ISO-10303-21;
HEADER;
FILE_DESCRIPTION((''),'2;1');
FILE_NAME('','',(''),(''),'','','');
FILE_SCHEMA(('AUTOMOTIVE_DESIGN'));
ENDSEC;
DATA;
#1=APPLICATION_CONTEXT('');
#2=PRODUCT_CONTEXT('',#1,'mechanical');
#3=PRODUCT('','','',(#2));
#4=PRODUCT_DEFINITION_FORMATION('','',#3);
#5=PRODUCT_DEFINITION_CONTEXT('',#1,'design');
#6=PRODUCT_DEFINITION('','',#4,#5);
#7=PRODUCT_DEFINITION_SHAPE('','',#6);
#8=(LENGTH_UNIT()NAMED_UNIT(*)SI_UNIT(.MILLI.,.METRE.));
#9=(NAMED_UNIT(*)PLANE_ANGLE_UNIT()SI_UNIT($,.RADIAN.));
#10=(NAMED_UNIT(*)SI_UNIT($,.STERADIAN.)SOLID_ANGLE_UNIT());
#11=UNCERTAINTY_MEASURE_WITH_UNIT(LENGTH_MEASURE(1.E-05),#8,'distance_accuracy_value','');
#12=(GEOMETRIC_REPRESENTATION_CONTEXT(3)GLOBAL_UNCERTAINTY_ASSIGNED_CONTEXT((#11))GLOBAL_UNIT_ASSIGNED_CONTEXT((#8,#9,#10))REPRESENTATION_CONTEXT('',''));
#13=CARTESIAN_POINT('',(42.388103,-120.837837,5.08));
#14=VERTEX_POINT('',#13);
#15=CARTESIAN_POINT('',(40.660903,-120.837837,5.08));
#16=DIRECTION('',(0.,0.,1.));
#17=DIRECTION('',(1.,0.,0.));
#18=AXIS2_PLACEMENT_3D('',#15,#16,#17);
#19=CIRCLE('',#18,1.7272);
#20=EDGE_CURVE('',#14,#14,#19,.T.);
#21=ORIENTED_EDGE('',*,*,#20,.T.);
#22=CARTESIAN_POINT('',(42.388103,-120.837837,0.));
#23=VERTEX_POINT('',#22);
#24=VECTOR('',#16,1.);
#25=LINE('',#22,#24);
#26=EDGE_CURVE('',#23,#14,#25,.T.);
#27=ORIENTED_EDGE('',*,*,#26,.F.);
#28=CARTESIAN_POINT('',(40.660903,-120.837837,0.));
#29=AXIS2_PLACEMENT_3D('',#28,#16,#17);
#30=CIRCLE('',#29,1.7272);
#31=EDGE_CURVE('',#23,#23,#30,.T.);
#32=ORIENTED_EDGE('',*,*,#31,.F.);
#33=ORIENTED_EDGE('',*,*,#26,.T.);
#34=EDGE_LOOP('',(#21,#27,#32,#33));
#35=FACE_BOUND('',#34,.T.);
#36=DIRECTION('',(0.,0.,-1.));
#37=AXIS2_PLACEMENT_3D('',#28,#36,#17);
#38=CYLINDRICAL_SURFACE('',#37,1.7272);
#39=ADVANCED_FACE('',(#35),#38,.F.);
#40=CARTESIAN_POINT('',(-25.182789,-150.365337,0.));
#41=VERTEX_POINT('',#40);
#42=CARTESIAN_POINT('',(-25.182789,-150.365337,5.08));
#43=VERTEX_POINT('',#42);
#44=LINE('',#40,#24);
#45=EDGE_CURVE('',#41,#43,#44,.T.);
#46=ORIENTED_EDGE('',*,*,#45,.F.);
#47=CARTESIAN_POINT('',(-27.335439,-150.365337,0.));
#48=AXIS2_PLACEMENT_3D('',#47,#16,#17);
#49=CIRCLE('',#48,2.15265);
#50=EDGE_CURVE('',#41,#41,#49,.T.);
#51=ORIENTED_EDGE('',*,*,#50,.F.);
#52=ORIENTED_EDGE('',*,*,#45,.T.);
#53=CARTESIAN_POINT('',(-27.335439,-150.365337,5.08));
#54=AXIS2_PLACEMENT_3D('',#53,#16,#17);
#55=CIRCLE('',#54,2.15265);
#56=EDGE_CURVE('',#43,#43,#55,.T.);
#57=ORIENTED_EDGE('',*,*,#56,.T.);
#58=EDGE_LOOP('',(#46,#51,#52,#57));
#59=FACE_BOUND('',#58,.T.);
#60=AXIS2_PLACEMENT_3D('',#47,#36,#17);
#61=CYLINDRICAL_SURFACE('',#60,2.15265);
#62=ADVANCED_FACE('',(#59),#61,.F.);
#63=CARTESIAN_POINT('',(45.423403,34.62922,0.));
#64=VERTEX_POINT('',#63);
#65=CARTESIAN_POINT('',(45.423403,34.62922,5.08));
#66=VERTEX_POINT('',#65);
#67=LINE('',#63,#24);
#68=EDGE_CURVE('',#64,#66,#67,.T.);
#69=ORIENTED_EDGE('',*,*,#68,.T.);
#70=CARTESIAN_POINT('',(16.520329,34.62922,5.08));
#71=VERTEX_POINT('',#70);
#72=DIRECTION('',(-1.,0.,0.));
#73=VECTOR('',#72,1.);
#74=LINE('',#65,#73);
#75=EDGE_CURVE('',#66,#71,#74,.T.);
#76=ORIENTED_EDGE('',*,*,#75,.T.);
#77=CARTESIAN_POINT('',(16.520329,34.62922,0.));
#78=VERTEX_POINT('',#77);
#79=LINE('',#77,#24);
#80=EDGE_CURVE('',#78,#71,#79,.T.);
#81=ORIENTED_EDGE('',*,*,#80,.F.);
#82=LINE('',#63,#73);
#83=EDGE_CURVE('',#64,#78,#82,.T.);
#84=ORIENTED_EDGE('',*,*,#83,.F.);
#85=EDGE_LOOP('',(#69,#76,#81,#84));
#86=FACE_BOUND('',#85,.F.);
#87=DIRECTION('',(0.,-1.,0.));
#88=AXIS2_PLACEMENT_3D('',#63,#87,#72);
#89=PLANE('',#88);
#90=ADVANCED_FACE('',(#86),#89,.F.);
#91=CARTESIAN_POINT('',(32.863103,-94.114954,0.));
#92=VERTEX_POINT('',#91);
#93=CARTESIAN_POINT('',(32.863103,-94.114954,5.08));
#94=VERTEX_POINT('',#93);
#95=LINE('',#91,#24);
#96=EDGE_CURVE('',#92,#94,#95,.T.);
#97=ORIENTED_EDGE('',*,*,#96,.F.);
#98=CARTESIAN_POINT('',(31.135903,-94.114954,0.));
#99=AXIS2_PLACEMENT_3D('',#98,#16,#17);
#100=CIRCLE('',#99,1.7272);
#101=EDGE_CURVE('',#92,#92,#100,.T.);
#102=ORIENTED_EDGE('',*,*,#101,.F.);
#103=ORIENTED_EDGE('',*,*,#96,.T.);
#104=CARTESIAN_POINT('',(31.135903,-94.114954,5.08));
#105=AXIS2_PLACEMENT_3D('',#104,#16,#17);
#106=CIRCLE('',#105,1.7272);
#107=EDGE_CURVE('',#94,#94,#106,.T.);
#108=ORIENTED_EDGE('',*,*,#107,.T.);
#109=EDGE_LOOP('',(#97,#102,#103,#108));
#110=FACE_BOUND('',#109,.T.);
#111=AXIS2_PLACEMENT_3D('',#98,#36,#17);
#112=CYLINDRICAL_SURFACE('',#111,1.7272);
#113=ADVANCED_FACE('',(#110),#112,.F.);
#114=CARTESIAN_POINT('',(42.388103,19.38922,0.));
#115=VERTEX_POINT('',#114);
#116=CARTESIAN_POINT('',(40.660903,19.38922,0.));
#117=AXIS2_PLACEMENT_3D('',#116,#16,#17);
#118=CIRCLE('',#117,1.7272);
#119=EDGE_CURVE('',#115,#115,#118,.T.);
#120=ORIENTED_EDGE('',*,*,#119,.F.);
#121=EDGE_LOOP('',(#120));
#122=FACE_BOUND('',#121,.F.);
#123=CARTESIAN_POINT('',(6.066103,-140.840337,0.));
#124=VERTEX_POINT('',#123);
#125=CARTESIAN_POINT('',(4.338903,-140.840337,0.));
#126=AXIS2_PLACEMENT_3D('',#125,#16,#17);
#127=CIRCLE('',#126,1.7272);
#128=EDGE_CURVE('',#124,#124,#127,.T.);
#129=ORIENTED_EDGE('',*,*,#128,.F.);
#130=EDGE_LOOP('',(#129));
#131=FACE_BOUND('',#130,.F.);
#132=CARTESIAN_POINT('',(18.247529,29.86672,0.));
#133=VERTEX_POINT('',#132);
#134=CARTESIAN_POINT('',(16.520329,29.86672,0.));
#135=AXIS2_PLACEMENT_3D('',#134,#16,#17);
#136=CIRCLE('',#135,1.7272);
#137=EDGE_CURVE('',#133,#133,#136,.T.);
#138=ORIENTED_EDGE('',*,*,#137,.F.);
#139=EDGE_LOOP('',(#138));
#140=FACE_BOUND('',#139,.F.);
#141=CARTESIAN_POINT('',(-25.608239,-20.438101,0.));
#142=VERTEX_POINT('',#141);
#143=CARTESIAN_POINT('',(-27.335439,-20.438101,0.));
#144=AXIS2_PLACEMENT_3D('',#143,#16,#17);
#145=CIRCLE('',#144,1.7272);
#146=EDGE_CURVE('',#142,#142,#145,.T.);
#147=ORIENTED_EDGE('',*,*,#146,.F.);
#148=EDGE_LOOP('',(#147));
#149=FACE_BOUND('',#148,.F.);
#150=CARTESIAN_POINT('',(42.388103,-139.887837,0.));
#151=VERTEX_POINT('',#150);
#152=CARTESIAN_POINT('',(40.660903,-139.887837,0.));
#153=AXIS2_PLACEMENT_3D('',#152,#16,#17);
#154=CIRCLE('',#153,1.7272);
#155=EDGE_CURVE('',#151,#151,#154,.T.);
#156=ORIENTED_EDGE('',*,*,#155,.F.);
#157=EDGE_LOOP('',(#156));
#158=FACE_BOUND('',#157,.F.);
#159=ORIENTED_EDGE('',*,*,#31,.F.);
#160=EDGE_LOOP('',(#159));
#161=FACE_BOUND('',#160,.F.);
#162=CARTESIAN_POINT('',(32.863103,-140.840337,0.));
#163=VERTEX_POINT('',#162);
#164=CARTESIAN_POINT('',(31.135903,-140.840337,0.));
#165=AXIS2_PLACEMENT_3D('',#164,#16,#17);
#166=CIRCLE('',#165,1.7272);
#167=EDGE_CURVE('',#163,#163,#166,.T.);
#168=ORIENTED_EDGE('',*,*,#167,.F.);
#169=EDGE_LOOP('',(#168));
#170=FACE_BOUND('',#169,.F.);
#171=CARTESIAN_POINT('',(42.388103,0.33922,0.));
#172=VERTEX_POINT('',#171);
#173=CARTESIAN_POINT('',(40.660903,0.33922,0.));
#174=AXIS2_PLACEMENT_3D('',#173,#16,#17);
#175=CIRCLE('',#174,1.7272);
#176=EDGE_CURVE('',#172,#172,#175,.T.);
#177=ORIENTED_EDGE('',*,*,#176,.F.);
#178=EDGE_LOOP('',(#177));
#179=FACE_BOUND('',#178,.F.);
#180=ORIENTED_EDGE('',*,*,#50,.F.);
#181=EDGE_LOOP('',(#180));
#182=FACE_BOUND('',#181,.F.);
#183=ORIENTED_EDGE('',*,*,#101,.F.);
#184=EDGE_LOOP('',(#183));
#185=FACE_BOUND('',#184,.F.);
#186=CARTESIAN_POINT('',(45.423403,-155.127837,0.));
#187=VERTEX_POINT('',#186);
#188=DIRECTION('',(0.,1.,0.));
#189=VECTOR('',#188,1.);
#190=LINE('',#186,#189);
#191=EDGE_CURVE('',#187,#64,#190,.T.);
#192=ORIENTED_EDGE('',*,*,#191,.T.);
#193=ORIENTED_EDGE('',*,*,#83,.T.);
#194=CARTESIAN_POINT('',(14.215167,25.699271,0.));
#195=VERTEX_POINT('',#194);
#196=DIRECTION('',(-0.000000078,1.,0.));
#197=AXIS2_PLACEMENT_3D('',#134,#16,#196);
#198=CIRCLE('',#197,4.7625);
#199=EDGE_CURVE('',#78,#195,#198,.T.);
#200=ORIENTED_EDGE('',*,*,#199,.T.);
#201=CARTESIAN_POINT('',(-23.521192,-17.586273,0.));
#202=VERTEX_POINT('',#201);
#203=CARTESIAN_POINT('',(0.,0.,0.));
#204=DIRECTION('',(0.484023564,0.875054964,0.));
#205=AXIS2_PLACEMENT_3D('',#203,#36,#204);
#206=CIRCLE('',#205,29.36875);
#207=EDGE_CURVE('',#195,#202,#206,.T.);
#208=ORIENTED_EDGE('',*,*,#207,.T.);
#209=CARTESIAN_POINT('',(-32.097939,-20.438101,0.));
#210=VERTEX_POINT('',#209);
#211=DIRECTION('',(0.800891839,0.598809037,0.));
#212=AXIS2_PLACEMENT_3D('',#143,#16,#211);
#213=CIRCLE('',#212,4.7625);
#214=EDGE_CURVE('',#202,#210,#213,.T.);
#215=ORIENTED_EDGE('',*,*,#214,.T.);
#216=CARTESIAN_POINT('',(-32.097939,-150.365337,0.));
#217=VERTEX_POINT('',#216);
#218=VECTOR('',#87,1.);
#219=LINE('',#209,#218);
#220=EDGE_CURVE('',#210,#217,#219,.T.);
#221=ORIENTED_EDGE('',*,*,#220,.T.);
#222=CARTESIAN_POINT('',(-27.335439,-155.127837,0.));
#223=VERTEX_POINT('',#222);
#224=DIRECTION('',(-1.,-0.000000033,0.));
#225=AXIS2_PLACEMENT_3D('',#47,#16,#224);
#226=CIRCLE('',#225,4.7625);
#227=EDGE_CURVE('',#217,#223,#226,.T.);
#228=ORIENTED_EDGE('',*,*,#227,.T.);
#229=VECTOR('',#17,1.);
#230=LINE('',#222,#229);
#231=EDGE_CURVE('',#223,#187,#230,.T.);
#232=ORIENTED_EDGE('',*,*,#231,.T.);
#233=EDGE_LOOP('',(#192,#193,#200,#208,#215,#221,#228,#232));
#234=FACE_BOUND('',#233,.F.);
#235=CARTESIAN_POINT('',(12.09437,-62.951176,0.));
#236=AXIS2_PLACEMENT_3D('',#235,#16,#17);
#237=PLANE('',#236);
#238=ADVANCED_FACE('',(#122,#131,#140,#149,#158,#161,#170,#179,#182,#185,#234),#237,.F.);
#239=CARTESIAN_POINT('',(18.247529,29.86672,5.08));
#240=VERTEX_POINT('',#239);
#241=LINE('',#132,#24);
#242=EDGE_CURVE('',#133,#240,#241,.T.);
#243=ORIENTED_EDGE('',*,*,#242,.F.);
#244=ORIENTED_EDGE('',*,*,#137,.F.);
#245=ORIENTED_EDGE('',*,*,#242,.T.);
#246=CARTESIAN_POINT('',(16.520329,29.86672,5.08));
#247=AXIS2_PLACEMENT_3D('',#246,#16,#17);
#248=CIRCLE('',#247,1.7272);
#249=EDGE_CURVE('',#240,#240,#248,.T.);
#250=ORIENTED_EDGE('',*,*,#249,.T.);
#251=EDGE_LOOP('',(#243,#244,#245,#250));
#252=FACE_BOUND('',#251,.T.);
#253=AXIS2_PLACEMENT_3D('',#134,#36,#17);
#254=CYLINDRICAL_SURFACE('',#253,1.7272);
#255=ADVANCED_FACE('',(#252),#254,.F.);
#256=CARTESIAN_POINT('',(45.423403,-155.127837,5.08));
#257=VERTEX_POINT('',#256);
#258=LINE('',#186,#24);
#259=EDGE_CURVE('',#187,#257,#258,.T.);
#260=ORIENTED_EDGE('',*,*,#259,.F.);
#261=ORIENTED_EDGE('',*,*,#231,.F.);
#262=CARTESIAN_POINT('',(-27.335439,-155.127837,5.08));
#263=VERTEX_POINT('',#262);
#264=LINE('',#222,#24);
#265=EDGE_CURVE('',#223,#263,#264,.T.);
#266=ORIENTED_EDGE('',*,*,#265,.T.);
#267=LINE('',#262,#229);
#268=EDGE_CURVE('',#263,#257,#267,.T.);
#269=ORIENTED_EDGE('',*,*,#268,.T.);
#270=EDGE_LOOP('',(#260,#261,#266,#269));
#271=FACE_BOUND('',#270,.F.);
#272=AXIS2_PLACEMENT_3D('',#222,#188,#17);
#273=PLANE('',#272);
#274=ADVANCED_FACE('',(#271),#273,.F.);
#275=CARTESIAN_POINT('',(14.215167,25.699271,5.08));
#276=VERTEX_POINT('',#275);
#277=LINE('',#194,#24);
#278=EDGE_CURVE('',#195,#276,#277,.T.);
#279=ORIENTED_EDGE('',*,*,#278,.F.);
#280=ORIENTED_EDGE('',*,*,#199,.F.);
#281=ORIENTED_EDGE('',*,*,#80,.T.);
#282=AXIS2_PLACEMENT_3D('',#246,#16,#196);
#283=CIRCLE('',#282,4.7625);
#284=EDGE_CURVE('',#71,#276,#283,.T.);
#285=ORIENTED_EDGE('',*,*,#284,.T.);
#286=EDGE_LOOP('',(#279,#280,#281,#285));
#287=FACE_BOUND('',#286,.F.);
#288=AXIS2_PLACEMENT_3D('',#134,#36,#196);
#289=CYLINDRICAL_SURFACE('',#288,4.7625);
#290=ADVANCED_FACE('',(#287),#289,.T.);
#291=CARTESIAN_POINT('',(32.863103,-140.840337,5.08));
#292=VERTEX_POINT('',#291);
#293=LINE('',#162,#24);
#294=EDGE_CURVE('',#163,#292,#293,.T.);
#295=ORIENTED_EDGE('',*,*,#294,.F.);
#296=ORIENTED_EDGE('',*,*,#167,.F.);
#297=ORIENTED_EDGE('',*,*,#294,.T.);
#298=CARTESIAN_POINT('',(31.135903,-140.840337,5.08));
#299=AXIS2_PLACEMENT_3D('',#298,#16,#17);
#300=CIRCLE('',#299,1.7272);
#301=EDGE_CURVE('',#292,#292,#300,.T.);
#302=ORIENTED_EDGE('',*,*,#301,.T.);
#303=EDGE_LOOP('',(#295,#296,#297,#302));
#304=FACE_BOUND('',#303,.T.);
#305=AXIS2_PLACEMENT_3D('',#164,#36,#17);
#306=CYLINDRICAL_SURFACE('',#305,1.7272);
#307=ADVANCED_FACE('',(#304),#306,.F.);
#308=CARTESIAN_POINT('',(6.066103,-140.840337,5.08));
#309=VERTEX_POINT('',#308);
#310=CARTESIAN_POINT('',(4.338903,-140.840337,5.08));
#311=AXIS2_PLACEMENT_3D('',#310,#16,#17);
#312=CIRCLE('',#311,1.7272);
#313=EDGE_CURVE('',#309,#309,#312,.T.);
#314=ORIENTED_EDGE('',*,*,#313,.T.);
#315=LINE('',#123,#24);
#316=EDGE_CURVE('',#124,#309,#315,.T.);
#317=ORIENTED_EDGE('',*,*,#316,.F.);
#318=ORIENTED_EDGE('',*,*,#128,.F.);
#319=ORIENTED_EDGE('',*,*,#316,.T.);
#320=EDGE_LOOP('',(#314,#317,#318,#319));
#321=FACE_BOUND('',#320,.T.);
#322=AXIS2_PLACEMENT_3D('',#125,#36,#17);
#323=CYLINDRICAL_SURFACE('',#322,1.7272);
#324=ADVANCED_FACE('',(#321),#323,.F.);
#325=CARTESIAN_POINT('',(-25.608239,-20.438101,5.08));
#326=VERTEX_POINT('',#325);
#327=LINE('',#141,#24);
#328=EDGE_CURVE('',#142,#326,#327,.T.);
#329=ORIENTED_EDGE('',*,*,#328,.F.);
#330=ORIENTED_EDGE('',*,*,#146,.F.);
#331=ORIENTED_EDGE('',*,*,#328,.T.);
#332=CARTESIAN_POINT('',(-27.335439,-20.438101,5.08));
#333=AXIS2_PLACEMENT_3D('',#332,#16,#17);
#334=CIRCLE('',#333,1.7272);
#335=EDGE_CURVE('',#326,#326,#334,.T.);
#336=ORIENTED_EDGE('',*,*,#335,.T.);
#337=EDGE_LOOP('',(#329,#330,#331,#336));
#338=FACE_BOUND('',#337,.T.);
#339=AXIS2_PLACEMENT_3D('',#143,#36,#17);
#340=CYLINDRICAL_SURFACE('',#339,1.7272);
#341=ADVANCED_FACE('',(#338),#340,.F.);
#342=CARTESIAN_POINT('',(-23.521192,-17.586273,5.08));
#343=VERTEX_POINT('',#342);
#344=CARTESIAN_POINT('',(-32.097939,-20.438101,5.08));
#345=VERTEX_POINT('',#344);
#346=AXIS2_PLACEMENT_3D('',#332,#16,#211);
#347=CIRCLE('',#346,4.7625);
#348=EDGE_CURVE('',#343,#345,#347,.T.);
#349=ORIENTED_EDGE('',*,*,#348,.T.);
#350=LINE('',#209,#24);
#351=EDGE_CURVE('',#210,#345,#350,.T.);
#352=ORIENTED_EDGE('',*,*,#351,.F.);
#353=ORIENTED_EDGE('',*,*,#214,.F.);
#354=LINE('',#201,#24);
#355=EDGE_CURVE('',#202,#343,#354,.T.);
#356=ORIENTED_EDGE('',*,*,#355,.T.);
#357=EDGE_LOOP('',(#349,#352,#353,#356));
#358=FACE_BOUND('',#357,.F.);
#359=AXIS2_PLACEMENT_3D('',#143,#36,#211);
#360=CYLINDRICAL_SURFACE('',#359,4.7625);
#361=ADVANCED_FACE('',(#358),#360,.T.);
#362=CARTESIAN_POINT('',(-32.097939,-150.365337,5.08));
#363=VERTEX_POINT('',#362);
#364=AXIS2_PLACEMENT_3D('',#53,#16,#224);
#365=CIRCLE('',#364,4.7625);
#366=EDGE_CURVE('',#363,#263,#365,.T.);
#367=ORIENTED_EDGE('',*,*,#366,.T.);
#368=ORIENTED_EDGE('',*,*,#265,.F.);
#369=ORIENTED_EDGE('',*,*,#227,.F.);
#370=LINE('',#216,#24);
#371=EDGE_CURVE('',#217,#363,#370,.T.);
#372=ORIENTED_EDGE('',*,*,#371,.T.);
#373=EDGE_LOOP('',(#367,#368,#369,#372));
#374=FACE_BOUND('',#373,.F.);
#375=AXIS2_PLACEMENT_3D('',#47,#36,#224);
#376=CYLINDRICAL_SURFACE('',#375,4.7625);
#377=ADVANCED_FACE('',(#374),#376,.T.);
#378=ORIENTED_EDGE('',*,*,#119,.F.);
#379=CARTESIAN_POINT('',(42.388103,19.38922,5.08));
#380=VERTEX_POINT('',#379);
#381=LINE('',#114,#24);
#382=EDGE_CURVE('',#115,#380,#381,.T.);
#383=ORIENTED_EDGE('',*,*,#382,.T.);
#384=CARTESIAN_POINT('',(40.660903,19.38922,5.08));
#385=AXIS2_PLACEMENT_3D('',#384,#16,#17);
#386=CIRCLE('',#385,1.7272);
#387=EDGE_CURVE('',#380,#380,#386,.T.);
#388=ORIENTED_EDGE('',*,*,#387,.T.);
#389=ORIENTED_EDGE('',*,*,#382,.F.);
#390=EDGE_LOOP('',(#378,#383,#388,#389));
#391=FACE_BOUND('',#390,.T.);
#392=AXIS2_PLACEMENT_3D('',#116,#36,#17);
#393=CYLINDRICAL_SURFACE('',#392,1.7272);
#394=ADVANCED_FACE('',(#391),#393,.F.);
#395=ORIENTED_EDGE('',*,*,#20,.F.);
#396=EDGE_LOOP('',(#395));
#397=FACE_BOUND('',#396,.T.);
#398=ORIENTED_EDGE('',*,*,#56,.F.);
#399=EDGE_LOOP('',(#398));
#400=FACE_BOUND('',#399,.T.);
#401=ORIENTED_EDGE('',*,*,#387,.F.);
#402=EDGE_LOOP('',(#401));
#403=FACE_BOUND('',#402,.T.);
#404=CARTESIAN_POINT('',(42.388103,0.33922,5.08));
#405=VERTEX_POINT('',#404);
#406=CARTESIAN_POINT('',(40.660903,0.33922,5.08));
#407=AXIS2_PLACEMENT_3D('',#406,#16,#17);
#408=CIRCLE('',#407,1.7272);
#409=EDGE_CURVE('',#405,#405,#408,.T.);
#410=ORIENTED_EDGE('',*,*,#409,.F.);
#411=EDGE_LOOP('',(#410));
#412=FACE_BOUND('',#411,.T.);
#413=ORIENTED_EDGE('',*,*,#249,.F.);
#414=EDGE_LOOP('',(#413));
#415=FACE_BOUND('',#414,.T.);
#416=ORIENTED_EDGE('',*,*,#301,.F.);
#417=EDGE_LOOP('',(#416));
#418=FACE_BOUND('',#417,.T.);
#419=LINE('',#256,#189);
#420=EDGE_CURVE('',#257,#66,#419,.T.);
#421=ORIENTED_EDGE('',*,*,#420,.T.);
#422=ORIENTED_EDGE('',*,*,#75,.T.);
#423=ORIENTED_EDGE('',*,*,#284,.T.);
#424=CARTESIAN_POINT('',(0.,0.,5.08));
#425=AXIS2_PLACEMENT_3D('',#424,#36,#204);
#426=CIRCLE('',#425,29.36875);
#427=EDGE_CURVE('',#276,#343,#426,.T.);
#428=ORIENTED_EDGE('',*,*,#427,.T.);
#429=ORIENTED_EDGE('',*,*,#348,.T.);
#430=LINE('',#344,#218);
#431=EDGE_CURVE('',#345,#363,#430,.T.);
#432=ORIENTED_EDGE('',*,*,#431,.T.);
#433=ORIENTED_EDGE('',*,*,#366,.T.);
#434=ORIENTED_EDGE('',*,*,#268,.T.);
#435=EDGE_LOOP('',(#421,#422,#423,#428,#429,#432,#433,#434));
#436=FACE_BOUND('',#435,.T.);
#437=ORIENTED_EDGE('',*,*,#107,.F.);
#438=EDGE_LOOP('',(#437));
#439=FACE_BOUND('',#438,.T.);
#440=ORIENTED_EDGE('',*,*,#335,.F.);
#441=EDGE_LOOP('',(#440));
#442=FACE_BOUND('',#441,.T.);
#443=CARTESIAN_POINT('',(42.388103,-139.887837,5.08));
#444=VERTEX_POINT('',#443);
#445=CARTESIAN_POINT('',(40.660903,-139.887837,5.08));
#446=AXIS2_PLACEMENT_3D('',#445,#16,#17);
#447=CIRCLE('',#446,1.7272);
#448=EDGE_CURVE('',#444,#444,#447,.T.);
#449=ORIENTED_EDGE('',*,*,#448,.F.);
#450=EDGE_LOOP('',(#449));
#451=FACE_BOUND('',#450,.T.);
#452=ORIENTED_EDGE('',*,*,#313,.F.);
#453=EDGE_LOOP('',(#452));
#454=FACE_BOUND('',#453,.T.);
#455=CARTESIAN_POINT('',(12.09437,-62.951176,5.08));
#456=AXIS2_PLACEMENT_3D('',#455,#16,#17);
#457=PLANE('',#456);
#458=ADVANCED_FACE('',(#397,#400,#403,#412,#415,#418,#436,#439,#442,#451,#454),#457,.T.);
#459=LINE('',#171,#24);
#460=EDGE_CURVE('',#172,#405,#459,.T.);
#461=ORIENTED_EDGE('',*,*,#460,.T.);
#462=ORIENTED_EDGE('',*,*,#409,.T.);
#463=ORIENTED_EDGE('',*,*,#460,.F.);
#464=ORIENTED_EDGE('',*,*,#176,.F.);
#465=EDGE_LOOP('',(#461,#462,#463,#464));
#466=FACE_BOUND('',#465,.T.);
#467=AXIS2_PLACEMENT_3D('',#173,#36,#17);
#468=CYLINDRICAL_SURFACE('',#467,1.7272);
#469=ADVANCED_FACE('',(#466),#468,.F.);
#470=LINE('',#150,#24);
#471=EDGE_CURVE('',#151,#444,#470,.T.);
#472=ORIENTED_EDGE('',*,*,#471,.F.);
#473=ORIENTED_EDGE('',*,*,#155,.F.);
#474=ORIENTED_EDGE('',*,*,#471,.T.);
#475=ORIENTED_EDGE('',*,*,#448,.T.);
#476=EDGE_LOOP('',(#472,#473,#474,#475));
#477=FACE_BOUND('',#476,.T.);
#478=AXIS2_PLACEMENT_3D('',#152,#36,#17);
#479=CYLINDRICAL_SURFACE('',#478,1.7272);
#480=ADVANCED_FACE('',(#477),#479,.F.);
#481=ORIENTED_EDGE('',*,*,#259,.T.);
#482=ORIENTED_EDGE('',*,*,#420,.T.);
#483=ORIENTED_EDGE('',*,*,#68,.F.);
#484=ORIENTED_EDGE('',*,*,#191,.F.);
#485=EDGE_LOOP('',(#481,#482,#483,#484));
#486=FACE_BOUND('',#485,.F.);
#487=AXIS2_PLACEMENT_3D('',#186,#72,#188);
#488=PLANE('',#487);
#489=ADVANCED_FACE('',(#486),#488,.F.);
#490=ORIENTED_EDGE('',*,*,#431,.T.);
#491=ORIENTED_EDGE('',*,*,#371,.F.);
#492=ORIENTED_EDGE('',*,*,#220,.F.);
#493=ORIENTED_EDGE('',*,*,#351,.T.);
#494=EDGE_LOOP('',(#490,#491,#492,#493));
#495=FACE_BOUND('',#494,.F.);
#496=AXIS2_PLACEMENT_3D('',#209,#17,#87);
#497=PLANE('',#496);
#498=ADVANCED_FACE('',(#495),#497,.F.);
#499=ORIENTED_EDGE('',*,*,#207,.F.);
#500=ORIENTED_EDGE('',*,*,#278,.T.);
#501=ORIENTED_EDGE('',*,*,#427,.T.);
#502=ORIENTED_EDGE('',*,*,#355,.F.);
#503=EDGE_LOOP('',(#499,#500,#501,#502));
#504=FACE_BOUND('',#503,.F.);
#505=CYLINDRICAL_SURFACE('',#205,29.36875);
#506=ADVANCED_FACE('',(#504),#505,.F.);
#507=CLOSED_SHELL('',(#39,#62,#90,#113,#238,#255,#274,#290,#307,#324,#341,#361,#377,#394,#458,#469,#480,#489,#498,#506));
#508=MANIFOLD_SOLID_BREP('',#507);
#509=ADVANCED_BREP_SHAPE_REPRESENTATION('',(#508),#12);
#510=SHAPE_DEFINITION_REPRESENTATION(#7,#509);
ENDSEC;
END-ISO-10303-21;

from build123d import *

# Parameters (mm, degrees)
F0_R     = 2.15265
F0_R_2   = 1.7272
F1_DEPTH = 5.08


with BuildPart() as f1:
    # F0 (on Top) → F1 (new body)
    with BuildSketch(Plane.XY):
        with BuildLine():
            Line((-27.335439, -155.127837), (45.423403, -155.127837))
            Line((45.423403, -155.127837), (45.423403, 34.62922))
            Line((45.423403, 34.62922), (16.520329, 34.62922))
            ThreePointArc((16.520329, 34.62922), (11.908991, 31.057083), (14.215167, 25.699271))
            ThreePointArc((14.215167, 25.699271), (22.137301, -19.29931), (-23.521192, -17.586273))
            ThreePointArc((-23.521192, -17.586273), (-28.838113, -15.918878), (-32.097939, -20.438101))
            Line((-32.097939, -20.438101), (-32.097939, -150.365337))
            ThreePointArc((-32.097939, -150.365337), (-30.703035, -153.732933), (-27.335439, -155.127837))
        make_face()
        with Locations((-27.335439, -150.365337)):
            Circle(F0_R, mode=Mode.SUBTRACT)
        with Locations((4.338903, -140.840337)):
            Circle(F0_R_2, mode=Mode.SUBTRACT)
        with Locations((31.135903, -140.840337)):
            Circle(F0_R_2, mode=Mode.SUBTRACT)
        with Locations((40.660903, -139.887837)):
            Circle(F0_R_2, mode=Mode.SUBTRACT)
        with Locations((40.660903, -120.837837)):
            Circle(F0_R_2, mode=Mode.SUBTRACT)
        with Locations((31.135903, -94.114954)):
            Circle(F0_R_2, mode=Mode.SUBTRACT)
        with Locations((-27.335439, -20.438101)):
            Circle(F0_R_2, mode=Mode.SUBTRACT)
        with Locations((16.520329, 29.86672)):
            Circle(F0_R_2, mode=Mode.SUBTRACT)
        with Locations((40.660903, 0.33922)):
            Circle(F0_R_2, mode=Mode.SUBTRACT)
        with Locations((40.660903, 19.38922)):
            Circle(F0_R_2, mode=Mode.SUBTRACT)
    extrude(amount=F1_DEPTH)


solid = f1.part
